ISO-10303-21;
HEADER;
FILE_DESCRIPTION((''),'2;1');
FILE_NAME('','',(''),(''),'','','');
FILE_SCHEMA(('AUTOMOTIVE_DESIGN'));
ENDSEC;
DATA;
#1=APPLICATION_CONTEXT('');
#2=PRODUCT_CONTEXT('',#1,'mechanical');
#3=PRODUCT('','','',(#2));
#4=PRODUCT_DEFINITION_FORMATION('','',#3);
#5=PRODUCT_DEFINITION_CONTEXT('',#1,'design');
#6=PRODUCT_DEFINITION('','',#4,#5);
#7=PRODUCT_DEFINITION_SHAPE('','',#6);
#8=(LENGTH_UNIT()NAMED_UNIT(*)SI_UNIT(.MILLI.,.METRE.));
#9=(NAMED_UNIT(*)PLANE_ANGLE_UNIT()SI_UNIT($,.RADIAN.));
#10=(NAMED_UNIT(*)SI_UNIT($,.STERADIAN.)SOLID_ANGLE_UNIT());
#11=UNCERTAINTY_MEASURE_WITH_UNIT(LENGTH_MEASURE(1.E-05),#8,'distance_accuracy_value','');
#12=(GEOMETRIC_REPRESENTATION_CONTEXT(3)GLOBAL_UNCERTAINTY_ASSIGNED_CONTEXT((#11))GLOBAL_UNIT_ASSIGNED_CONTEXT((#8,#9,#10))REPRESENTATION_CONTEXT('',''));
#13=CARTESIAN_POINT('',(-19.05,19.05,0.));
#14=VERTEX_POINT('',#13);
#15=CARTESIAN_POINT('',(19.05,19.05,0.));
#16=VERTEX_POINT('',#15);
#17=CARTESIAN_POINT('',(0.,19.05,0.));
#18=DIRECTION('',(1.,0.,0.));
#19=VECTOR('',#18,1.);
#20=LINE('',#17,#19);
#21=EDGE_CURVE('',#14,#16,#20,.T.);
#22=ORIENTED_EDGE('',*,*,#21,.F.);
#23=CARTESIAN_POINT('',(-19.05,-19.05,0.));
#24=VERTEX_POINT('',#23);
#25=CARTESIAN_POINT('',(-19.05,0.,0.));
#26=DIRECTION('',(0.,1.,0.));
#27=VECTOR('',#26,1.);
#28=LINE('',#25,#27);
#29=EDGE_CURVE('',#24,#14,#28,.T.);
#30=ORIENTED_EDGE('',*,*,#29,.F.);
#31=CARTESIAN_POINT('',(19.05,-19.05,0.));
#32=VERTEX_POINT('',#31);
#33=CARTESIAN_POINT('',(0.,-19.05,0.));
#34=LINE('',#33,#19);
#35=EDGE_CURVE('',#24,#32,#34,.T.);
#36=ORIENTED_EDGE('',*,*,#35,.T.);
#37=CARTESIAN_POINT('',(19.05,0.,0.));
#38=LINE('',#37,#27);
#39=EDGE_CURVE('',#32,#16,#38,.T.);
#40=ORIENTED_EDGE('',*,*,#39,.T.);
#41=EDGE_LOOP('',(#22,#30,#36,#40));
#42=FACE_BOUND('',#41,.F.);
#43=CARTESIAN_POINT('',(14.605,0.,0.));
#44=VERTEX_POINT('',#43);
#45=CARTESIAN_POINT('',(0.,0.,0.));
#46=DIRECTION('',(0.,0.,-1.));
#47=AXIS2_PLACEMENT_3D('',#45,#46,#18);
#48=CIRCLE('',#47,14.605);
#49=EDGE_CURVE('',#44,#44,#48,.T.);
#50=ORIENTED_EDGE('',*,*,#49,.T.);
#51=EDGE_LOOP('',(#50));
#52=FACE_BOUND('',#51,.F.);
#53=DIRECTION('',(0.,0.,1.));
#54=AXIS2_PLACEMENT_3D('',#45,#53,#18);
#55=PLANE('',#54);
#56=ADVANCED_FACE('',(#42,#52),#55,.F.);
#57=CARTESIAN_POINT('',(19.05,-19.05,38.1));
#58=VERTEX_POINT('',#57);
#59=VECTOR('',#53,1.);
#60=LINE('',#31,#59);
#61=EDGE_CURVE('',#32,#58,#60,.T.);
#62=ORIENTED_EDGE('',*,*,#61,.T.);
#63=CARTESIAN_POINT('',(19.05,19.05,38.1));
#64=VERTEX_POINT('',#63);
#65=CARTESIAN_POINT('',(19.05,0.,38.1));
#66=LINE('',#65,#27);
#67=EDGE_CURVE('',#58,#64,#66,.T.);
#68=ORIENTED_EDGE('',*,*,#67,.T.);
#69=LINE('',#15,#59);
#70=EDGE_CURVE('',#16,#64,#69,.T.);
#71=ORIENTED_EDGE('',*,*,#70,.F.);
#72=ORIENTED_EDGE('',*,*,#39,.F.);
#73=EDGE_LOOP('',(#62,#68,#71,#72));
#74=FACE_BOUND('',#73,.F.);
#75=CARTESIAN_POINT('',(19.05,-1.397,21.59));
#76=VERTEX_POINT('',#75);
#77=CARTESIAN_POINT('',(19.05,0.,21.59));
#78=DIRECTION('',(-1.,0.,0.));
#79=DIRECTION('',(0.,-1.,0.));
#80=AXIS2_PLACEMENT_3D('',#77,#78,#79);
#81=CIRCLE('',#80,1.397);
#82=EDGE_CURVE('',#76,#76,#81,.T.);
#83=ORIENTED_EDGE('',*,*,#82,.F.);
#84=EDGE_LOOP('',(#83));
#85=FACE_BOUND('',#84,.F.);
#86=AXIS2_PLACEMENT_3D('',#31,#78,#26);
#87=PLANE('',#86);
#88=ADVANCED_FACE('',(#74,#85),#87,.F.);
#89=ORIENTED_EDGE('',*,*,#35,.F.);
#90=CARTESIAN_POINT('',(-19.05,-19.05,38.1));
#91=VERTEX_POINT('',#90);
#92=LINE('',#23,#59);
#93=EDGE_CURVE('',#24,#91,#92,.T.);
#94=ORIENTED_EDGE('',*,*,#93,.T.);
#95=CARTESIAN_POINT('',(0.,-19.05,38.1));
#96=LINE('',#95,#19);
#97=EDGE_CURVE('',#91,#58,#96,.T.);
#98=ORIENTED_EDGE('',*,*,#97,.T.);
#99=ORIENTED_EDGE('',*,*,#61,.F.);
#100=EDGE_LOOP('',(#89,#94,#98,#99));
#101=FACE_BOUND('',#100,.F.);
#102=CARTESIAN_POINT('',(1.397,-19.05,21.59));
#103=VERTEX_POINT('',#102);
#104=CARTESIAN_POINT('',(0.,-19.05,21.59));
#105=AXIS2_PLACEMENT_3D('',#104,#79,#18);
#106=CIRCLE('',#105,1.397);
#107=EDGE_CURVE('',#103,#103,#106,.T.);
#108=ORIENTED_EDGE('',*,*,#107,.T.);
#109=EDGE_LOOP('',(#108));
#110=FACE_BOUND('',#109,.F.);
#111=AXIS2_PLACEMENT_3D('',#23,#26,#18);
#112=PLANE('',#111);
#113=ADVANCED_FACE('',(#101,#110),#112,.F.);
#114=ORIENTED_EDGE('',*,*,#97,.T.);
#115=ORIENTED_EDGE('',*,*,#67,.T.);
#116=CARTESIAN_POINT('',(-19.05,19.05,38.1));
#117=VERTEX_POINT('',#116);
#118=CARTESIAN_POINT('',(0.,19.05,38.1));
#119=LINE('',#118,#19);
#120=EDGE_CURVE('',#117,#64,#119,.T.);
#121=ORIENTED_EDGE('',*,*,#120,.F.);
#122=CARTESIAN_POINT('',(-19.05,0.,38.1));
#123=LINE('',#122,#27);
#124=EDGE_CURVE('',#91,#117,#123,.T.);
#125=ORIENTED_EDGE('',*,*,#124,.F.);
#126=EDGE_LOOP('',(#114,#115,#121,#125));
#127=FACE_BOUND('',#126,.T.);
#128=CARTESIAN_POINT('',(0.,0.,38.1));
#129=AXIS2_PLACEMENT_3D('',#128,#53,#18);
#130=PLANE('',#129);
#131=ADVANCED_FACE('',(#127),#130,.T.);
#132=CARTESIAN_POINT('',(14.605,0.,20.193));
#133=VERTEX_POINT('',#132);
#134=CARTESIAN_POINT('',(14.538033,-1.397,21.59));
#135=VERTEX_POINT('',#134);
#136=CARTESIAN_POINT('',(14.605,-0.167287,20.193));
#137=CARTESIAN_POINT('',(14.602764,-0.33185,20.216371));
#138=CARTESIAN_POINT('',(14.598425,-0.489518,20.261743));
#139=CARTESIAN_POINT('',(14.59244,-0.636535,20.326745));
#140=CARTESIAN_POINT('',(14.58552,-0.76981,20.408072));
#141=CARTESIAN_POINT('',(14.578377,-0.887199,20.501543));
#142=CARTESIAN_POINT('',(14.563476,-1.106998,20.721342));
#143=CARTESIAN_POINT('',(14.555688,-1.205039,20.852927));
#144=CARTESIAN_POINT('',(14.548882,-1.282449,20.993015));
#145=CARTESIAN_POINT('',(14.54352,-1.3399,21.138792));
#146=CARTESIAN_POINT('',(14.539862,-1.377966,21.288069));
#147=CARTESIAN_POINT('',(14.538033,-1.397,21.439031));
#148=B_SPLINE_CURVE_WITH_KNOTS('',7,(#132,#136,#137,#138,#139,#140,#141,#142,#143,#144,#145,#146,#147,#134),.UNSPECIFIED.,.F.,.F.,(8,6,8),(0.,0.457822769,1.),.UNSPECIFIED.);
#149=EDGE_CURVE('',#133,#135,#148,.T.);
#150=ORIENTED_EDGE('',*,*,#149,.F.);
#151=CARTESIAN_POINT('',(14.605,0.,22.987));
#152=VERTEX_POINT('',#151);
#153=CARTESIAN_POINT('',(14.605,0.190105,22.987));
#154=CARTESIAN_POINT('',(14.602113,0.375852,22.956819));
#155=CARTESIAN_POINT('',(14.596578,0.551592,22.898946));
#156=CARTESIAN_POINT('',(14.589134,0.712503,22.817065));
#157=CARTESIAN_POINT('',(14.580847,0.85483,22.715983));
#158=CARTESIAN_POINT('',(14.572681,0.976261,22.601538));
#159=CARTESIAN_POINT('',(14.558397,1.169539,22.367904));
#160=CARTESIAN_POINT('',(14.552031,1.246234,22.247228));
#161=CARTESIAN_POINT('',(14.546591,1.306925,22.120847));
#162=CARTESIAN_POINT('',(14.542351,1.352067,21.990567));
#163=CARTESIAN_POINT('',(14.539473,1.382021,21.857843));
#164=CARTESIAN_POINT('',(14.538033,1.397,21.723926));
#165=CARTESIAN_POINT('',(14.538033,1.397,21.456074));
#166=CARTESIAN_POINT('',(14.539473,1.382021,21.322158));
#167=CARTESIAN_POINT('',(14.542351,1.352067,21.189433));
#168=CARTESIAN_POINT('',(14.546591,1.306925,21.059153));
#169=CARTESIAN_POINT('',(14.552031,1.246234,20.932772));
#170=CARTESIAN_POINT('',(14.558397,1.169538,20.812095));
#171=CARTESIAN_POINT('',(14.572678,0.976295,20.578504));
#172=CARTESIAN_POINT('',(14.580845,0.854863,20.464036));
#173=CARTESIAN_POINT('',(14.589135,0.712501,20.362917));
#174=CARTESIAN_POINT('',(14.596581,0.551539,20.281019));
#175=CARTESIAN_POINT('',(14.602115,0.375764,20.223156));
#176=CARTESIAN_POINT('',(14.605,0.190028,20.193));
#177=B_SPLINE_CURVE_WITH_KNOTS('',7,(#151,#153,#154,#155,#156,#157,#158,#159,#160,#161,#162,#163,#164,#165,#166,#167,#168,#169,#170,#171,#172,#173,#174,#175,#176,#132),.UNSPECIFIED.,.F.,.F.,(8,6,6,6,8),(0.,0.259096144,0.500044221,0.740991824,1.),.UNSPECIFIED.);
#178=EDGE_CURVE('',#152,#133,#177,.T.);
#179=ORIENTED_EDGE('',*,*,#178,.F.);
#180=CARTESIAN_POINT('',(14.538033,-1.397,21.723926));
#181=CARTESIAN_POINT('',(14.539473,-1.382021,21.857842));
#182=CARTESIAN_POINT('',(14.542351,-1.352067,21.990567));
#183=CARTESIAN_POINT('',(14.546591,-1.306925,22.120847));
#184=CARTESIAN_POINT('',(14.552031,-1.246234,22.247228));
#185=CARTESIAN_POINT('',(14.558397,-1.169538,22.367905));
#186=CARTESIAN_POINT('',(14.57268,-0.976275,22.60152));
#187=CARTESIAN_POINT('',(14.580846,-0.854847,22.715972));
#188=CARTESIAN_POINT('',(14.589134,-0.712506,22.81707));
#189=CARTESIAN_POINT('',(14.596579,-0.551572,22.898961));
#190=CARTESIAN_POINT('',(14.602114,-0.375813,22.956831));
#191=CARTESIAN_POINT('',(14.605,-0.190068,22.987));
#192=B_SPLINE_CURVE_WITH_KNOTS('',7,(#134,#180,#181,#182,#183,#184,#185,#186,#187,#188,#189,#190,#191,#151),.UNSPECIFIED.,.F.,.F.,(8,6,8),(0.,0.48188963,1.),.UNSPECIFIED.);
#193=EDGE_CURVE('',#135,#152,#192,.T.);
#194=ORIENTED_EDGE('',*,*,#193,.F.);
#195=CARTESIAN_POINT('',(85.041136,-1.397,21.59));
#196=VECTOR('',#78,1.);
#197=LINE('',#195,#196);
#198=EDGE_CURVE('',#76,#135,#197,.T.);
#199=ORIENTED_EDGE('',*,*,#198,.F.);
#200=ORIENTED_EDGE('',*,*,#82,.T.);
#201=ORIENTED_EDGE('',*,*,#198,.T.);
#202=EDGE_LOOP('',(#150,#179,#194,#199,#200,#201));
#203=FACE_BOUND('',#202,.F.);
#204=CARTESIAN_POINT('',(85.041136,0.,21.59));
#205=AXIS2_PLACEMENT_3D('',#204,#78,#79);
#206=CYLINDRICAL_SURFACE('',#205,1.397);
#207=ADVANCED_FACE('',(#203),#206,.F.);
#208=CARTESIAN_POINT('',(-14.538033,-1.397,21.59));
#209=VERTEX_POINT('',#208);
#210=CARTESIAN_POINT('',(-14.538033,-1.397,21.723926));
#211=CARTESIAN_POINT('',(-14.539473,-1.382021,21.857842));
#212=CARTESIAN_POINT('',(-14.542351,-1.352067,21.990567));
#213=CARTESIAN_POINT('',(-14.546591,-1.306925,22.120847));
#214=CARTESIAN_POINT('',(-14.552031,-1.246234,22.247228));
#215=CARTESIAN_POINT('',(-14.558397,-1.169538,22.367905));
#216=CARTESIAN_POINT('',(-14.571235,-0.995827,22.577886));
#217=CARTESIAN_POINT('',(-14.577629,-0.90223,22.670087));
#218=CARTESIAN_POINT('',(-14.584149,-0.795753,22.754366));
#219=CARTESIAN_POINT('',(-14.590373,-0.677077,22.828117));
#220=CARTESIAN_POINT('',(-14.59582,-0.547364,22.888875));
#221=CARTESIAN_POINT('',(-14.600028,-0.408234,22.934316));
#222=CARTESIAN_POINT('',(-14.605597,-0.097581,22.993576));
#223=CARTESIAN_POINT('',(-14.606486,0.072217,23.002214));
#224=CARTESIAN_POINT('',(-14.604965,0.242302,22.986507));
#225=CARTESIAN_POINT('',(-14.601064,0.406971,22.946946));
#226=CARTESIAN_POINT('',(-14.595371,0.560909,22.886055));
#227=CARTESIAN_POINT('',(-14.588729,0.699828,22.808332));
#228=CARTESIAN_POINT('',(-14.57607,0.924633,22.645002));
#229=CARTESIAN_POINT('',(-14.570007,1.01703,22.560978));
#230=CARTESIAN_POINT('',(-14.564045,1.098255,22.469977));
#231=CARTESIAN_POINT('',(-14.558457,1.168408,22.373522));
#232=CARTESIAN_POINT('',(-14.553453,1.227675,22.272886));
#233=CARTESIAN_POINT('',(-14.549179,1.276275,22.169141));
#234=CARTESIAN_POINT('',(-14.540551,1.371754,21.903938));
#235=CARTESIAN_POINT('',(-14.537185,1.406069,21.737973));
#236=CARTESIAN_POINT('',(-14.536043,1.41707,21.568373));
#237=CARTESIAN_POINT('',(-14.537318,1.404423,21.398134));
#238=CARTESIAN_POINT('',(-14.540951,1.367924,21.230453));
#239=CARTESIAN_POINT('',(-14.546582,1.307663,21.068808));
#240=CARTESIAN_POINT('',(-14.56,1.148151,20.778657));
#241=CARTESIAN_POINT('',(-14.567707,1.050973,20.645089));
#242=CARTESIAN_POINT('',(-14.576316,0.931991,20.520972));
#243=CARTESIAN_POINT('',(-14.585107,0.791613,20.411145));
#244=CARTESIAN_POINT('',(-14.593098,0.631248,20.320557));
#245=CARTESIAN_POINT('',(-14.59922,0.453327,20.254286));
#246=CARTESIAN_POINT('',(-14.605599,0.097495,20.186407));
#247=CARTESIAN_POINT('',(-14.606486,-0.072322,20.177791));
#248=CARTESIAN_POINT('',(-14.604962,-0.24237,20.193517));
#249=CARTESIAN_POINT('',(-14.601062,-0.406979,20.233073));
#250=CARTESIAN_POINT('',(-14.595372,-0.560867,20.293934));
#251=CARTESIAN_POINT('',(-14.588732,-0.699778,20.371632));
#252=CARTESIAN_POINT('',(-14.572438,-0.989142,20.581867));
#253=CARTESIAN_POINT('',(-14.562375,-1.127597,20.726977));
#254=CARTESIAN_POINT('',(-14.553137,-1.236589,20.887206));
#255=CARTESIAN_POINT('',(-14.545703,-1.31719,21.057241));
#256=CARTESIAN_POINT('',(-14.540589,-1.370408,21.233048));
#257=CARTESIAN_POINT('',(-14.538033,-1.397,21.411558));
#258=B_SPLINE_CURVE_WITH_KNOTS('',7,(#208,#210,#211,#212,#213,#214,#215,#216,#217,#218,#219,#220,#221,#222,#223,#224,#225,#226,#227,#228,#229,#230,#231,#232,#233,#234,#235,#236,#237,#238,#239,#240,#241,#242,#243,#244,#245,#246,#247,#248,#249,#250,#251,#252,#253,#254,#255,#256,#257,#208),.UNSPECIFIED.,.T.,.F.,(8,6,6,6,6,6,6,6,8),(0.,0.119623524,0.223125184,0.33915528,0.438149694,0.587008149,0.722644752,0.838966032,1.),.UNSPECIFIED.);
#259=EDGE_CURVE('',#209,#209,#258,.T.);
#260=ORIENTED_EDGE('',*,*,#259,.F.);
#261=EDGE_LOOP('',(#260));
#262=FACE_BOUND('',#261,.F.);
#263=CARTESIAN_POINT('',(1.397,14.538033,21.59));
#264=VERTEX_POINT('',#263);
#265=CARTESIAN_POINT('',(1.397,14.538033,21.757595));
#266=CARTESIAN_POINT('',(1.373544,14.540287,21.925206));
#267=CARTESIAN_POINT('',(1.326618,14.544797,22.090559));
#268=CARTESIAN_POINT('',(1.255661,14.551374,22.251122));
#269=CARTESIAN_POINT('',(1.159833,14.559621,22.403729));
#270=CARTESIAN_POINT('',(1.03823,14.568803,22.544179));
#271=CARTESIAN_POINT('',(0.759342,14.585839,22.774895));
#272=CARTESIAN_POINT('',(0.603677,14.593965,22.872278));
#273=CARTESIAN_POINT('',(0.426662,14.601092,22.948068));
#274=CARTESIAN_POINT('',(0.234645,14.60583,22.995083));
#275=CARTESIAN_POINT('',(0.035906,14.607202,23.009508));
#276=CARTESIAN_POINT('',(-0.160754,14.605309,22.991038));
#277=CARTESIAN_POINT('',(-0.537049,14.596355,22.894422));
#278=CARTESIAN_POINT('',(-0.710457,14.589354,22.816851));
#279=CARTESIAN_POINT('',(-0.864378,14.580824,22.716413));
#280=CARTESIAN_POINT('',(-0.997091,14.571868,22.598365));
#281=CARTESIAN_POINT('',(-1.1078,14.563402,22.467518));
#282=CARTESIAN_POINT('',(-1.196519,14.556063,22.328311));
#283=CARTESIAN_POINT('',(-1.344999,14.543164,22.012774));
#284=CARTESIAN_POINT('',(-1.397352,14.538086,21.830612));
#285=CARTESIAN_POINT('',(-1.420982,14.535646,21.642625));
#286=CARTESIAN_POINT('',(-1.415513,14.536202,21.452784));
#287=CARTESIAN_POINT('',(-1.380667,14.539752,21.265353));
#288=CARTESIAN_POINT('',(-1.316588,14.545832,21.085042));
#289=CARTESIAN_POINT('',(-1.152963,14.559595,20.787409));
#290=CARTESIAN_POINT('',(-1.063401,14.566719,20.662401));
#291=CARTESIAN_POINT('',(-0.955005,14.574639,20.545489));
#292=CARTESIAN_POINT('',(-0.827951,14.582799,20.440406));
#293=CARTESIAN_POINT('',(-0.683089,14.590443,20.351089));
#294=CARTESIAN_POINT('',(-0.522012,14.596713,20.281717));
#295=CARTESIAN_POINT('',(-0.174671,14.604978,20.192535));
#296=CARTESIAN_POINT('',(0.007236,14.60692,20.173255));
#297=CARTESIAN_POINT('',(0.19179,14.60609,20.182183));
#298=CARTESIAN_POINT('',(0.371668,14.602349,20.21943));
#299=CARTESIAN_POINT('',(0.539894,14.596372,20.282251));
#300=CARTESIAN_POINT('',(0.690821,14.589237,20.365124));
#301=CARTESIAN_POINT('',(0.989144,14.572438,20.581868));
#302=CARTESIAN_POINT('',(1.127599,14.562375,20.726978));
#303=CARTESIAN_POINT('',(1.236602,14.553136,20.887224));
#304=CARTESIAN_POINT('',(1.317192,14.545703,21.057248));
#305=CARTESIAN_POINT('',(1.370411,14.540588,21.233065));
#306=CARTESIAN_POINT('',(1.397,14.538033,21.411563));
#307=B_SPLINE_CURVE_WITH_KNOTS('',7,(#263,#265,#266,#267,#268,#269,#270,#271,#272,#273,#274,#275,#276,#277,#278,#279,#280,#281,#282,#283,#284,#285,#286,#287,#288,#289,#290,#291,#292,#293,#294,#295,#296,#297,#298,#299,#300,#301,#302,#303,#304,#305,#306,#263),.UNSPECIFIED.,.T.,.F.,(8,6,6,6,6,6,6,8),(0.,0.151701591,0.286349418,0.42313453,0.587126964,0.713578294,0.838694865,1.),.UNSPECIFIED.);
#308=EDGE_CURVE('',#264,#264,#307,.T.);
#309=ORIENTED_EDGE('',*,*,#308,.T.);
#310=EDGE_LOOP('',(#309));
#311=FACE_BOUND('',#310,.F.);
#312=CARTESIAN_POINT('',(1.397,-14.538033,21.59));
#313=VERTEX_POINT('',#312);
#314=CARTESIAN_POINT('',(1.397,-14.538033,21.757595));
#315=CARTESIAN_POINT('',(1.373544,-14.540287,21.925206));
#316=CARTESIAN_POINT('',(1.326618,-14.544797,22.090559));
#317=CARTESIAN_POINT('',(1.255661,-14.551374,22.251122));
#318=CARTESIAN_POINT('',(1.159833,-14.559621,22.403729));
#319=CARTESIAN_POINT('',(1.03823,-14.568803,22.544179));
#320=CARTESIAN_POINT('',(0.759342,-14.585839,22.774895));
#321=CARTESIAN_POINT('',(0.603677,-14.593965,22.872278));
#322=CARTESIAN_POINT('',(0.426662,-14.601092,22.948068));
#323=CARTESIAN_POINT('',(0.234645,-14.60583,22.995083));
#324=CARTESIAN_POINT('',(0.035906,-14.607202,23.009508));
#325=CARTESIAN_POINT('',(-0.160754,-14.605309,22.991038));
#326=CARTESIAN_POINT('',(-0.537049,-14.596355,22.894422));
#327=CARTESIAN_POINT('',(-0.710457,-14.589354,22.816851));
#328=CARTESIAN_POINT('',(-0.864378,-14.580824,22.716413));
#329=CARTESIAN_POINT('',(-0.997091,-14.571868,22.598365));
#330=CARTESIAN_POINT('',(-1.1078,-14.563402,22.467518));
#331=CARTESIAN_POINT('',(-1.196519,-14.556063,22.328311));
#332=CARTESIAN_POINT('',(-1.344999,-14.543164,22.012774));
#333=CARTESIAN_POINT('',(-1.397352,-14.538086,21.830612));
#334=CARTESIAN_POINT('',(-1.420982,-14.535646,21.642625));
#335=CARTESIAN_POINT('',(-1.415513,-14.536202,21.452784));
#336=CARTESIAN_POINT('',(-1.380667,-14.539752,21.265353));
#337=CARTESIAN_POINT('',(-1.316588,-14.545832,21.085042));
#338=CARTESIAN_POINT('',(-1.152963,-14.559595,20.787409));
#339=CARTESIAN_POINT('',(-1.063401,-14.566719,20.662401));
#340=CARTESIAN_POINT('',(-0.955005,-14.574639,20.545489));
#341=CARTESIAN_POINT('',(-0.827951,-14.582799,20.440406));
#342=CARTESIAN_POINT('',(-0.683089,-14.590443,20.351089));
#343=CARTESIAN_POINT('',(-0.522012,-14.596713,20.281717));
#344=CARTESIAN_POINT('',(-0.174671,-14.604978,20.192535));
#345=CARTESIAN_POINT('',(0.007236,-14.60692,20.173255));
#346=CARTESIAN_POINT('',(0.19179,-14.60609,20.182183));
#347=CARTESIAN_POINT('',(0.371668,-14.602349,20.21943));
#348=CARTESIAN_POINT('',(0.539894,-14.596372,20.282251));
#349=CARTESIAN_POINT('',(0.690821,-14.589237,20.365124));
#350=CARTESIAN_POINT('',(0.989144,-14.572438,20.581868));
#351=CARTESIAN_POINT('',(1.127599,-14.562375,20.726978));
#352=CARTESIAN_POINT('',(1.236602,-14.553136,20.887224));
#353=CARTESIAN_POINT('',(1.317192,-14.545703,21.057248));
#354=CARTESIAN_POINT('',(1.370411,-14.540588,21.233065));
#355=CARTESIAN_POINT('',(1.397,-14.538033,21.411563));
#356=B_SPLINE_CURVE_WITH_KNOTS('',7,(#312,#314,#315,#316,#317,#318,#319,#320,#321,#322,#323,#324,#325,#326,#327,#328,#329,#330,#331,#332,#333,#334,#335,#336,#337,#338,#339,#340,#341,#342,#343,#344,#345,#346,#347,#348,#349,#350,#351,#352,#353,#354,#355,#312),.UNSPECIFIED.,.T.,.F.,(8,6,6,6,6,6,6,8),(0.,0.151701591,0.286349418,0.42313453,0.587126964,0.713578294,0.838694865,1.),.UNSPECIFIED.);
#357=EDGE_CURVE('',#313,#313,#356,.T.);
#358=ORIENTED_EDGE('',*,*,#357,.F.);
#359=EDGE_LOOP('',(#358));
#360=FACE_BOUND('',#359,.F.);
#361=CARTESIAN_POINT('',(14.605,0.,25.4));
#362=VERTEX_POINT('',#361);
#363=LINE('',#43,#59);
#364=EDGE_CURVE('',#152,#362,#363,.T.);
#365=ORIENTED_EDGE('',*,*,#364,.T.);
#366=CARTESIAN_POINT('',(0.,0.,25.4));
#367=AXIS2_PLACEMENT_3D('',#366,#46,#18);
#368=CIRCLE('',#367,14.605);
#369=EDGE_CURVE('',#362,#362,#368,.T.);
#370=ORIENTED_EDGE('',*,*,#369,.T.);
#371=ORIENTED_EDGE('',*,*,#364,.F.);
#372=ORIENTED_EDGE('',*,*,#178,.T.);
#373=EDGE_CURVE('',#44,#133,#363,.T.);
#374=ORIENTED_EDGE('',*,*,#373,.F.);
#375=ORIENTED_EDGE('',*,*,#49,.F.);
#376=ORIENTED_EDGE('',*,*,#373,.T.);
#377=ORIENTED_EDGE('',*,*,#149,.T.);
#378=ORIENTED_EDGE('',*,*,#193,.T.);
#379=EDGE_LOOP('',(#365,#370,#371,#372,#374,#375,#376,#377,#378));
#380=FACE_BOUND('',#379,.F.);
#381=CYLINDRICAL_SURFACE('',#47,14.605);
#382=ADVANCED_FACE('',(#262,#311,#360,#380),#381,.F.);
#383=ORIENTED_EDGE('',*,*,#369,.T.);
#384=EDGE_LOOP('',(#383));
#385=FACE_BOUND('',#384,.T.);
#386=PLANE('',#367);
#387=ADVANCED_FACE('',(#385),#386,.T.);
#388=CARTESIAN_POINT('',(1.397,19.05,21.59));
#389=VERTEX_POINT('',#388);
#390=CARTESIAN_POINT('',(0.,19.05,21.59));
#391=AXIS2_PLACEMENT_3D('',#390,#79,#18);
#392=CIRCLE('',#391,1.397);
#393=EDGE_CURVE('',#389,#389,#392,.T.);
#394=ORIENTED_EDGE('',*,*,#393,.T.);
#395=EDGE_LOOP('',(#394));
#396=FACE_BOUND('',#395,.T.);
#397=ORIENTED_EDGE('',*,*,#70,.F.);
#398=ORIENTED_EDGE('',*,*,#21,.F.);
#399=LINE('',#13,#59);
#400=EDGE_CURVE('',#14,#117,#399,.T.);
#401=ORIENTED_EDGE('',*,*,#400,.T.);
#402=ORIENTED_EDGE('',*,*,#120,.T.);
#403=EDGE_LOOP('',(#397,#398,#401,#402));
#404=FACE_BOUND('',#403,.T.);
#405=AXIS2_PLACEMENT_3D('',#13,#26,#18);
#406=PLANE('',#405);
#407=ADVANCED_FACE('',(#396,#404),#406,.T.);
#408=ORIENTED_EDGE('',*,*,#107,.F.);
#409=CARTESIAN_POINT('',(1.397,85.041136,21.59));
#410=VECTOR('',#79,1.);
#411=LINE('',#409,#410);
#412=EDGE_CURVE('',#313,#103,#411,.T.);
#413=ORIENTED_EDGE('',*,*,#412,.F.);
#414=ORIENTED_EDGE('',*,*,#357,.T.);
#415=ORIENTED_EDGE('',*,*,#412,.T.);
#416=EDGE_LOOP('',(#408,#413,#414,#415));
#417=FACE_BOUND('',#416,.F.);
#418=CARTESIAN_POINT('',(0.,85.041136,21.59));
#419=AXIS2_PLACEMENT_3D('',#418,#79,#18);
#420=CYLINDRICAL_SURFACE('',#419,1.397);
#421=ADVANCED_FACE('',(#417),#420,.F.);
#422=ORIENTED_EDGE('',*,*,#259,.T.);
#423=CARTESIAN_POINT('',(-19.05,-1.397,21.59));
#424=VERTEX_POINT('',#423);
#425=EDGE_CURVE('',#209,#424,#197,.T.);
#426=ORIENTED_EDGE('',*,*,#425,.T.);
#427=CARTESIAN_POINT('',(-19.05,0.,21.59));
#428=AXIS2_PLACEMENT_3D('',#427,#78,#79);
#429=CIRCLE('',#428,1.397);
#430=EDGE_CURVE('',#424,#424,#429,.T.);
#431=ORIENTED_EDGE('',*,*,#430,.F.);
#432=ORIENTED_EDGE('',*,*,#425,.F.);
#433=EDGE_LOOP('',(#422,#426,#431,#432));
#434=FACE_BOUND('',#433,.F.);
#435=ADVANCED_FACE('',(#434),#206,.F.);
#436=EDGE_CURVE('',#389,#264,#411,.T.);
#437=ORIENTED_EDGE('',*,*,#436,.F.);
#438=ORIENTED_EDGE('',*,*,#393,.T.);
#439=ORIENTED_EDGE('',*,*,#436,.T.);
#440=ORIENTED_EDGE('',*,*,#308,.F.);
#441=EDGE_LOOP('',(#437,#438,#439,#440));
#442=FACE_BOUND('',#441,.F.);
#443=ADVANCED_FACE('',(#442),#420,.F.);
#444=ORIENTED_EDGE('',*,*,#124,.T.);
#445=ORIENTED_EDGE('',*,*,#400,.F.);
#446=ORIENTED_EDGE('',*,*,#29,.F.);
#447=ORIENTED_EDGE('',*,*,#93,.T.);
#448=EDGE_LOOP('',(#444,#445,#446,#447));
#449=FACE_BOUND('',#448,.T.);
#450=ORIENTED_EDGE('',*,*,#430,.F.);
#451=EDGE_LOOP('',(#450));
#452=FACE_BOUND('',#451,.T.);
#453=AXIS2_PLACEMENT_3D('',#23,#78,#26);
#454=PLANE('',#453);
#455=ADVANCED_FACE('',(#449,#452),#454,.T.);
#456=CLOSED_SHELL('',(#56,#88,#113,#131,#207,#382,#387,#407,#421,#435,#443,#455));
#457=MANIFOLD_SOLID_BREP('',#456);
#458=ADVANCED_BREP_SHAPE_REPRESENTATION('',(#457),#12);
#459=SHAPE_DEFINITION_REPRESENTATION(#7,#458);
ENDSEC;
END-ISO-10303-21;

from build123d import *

# Parameters (mm, degrees)
F0_W     = 38.1
F0_H     = 38.1
F1_DEPTH = 38.1
F2_R     = 14.605
F3_DEPTH = 25.4
F5_D     = 2.794
F7_D     = 2.794


with BuildPart() as f1:
    # F0 (on Top) → F1 (new body)
    with BuildSketch(Plane.XY):
        Rectangle(F0_W, F0_H)
    extrude(amount=F1_DEPTH)

    # F2 (on face) → F3 (cut)
    with BuildSketch(Plane(origin=(0, 0, 0), x_dir=(1, 0, 0), z_dir=(0, 0, -1))):
        Circle(F2_R)
    extrude(amount=-F3_DEPTH, mode=Mode.SUBTRACT)

    # F5 (through all)
    with Locations(Plane(origin=(0, 19.05, 0), x_dir=(-1, 0, 0), z_dir=(0, 1, 0))):
        with Locations((0, 21.59)):
            Hole(F5_D / 2)

    # F7 (through all)
    with Locations(Plane.YZ.offset(19.05)):
        with Locations((0, 21.59)):
            Hole(F7_D / 2)


solid = f1.part
